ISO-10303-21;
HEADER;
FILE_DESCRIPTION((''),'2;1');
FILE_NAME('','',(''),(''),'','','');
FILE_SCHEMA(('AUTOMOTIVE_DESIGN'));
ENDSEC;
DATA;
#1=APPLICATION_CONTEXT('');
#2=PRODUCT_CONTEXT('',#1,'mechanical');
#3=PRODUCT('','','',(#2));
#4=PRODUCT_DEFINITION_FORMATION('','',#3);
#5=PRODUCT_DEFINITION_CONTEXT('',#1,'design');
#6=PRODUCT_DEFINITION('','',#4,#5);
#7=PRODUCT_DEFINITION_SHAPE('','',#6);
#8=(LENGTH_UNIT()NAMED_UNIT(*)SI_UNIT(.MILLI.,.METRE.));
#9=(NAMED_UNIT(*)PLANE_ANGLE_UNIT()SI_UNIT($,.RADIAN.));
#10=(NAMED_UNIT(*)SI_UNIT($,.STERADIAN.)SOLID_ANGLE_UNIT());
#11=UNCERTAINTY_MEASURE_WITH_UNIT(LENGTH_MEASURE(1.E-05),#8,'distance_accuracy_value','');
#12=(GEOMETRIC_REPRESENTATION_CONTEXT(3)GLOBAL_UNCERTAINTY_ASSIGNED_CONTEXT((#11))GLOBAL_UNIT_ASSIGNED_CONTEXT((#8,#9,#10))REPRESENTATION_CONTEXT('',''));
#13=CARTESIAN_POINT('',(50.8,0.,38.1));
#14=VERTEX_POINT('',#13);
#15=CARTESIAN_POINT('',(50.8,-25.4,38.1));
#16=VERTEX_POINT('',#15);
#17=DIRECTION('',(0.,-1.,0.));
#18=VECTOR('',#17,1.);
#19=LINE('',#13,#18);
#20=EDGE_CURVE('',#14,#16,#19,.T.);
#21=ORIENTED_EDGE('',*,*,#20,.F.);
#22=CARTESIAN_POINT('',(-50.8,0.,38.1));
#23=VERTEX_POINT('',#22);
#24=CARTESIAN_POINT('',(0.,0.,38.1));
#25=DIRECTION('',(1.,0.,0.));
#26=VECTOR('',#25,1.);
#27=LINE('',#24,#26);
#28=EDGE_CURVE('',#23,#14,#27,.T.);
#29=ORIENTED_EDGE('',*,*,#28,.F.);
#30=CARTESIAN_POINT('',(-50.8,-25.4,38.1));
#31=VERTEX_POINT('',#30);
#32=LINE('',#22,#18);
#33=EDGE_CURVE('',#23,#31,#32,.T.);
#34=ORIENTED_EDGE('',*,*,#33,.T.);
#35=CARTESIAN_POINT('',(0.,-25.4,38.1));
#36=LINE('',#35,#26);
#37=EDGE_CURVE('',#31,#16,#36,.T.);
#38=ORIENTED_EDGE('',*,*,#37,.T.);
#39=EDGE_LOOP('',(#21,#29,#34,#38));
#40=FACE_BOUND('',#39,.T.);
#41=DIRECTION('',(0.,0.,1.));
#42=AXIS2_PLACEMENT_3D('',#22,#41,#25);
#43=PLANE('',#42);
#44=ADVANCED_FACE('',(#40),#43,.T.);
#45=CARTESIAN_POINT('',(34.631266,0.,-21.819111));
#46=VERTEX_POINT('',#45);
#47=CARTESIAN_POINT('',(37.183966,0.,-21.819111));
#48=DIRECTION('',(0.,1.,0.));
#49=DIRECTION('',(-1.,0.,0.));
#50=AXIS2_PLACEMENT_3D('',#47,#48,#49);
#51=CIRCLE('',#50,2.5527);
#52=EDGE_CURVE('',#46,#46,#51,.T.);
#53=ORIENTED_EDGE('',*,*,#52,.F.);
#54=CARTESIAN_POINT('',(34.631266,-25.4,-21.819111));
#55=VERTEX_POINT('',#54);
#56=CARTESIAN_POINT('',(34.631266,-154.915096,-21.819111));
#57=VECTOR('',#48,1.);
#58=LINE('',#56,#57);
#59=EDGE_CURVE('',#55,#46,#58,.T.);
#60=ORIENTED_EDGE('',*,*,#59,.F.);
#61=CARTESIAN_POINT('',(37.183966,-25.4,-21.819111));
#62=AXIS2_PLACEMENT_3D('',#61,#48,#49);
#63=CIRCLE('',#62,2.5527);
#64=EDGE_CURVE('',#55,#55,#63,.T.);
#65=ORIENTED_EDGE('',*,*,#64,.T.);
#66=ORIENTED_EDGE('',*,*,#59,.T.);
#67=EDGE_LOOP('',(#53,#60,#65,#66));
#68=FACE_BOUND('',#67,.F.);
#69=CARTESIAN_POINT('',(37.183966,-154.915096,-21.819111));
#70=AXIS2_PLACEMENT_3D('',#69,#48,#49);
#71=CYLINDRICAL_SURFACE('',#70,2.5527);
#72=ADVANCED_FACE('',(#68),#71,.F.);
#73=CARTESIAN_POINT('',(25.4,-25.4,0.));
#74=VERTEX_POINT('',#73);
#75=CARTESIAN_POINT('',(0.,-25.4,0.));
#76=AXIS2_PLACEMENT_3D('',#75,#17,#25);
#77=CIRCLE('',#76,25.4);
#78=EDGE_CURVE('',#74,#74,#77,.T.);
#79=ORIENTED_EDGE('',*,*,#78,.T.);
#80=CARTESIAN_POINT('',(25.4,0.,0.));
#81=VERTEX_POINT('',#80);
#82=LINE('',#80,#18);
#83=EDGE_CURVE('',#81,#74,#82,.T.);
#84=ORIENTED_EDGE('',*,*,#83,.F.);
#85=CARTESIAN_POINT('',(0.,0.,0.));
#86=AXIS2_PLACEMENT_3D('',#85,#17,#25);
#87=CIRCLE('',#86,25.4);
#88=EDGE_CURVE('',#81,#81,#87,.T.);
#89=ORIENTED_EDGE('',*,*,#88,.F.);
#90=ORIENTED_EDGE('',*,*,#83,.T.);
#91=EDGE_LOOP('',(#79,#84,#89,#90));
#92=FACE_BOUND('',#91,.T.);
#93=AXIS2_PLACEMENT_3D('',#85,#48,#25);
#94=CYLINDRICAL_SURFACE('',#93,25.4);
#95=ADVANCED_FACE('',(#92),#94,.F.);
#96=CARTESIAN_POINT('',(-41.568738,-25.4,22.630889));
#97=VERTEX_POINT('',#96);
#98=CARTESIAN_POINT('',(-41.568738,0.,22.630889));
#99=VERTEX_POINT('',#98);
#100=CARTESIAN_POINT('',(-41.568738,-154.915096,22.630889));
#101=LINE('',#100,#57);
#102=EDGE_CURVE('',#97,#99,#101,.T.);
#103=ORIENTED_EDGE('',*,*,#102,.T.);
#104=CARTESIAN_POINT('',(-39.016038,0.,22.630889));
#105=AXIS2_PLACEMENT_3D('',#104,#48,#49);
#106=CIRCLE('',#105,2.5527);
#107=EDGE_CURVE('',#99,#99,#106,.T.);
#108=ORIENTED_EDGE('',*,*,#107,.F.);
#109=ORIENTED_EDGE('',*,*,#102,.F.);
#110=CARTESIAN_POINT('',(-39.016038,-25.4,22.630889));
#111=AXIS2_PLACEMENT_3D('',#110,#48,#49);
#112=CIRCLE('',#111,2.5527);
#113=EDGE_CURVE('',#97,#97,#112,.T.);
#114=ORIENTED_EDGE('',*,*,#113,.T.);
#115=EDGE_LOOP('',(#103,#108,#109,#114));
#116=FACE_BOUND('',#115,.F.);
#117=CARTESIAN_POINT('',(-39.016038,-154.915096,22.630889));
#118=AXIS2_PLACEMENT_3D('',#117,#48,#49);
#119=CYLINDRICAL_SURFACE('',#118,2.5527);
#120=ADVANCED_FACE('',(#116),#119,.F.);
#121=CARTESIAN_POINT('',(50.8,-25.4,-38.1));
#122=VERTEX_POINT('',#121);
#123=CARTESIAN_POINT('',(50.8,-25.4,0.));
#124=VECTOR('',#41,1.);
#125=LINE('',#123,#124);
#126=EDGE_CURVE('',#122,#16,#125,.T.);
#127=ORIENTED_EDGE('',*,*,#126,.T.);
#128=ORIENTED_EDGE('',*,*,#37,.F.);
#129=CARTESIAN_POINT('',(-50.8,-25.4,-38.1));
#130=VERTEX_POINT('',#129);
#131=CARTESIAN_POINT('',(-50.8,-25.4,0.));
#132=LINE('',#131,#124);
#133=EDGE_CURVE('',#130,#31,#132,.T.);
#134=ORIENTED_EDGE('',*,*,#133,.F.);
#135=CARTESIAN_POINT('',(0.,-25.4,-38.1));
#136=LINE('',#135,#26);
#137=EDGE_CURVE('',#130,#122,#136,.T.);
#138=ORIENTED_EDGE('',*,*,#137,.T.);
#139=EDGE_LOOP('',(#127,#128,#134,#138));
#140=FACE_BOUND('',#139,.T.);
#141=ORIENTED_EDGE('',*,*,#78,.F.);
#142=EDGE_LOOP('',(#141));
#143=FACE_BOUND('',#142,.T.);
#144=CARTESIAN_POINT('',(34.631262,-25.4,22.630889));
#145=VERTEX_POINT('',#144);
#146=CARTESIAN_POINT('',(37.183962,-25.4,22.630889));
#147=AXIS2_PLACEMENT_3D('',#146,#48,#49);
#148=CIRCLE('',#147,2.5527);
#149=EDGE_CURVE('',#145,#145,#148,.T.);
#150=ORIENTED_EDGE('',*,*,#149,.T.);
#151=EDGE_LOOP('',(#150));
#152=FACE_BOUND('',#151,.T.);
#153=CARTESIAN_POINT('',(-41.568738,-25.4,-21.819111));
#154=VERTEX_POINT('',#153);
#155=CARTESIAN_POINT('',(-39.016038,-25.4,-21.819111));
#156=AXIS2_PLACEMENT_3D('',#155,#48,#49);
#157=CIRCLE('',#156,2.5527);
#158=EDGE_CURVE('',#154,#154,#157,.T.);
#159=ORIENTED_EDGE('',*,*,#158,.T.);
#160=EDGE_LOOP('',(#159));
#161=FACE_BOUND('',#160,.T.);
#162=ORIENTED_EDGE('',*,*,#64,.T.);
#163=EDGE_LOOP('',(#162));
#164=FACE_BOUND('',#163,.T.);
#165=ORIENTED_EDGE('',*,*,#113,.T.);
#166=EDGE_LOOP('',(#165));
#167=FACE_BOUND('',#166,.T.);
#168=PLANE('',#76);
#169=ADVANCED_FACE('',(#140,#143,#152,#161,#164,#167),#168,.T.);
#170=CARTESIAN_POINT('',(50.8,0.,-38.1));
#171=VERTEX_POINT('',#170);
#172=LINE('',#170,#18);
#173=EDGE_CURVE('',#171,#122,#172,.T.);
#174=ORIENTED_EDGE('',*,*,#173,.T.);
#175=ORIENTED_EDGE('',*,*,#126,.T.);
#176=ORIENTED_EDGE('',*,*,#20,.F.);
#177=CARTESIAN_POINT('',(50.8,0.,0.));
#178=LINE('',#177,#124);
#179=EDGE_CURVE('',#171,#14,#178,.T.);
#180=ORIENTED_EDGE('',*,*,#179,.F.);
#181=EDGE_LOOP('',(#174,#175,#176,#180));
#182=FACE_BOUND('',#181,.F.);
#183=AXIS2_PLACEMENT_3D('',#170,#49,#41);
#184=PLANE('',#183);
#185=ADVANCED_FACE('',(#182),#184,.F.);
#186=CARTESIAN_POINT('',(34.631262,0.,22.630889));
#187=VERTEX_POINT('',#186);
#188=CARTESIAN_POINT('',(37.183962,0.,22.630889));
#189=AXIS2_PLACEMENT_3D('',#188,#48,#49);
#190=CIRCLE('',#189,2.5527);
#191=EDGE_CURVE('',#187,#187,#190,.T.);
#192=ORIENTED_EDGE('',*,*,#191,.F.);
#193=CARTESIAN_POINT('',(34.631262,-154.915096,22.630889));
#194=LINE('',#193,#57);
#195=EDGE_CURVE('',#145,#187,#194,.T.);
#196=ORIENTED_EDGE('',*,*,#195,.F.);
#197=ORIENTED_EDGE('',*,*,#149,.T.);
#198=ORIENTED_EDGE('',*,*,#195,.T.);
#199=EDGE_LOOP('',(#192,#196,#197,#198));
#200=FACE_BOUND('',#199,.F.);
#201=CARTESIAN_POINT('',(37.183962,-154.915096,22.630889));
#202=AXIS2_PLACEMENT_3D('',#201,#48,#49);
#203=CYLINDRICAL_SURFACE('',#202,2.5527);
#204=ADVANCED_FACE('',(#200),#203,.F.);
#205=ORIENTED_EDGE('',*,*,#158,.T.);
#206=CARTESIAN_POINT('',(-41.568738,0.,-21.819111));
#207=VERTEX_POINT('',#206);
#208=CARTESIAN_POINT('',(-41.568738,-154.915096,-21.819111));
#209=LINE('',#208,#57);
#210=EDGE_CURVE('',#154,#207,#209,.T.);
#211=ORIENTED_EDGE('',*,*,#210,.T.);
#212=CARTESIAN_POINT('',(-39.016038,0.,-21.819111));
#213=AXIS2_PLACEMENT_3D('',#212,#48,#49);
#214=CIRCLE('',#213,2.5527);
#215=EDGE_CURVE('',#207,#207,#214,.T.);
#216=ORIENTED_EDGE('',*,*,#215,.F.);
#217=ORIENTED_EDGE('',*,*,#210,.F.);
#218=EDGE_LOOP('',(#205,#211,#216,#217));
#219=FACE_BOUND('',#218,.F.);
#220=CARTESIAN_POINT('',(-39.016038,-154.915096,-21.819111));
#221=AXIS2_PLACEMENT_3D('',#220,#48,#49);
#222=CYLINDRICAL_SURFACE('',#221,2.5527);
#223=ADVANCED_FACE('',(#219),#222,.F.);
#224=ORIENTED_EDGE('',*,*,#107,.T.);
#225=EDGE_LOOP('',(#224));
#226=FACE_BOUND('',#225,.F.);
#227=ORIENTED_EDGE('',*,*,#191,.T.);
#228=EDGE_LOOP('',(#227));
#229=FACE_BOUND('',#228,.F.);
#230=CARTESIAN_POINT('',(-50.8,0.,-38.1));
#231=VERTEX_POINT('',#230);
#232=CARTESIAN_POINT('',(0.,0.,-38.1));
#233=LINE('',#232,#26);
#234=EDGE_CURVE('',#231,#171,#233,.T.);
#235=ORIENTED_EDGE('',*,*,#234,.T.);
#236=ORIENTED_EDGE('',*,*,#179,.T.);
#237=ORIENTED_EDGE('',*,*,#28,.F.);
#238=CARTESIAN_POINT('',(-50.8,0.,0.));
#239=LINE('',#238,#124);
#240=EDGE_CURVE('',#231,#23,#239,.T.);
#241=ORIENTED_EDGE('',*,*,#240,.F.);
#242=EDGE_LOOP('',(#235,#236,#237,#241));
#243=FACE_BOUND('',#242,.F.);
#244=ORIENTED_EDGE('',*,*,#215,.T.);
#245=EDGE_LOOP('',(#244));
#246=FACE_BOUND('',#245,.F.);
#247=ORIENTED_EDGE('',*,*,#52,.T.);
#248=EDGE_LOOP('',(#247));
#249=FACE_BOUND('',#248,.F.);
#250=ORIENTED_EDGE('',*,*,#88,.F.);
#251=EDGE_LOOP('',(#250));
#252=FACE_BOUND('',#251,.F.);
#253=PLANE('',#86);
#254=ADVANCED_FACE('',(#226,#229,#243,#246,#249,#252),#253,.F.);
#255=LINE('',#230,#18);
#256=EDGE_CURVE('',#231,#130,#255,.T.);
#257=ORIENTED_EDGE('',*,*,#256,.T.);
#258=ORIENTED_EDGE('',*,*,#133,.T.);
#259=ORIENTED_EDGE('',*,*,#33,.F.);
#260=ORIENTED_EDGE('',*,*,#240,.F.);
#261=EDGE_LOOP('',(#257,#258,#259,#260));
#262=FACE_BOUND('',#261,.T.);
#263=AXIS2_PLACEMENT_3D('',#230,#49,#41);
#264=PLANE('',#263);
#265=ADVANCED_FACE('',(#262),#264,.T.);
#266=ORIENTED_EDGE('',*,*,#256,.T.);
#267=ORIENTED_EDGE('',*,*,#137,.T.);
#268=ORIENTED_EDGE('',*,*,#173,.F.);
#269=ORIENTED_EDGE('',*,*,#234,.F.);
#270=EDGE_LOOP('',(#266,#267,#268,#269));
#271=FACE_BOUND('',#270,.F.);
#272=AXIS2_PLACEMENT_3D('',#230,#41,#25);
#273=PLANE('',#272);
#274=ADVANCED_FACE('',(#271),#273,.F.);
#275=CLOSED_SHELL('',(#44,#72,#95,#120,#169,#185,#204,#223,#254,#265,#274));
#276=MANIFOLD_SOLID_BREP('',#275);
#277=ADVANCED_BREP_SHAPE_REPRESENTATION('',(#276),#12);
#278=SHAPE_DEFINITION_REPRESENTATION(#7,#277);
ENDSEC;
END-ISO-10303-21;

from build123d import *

# Parameters (mm, degrees)
F0_W     = 101.6
F0_H     = 76.2
F0_R     = 25.4
F1_DEPTH = 25.4
F3_D     = 5.1054


with BuildPart() as f1:
    # F0 (on Front) → F1 (new body)
    with BuildSketch(Plane.XZ):
        Rectangle(F0_W, F0_H)
        Circle(F0_R, mode=Mode.SUBTRACT)
    extrude(amount=F1_DEPTH)

    # F3 (through all)
    with Locations(Plane.XZ.offset(25.4)):
        with Locations((-39.0160377379, 22.6308889994), (-39.0160377379, -21.8191110006), (37.1839660461, -21.8191110006), (37.1839622621, 22.6308889994)):
            Hole(F3_D / 2)


solid = f1.part
